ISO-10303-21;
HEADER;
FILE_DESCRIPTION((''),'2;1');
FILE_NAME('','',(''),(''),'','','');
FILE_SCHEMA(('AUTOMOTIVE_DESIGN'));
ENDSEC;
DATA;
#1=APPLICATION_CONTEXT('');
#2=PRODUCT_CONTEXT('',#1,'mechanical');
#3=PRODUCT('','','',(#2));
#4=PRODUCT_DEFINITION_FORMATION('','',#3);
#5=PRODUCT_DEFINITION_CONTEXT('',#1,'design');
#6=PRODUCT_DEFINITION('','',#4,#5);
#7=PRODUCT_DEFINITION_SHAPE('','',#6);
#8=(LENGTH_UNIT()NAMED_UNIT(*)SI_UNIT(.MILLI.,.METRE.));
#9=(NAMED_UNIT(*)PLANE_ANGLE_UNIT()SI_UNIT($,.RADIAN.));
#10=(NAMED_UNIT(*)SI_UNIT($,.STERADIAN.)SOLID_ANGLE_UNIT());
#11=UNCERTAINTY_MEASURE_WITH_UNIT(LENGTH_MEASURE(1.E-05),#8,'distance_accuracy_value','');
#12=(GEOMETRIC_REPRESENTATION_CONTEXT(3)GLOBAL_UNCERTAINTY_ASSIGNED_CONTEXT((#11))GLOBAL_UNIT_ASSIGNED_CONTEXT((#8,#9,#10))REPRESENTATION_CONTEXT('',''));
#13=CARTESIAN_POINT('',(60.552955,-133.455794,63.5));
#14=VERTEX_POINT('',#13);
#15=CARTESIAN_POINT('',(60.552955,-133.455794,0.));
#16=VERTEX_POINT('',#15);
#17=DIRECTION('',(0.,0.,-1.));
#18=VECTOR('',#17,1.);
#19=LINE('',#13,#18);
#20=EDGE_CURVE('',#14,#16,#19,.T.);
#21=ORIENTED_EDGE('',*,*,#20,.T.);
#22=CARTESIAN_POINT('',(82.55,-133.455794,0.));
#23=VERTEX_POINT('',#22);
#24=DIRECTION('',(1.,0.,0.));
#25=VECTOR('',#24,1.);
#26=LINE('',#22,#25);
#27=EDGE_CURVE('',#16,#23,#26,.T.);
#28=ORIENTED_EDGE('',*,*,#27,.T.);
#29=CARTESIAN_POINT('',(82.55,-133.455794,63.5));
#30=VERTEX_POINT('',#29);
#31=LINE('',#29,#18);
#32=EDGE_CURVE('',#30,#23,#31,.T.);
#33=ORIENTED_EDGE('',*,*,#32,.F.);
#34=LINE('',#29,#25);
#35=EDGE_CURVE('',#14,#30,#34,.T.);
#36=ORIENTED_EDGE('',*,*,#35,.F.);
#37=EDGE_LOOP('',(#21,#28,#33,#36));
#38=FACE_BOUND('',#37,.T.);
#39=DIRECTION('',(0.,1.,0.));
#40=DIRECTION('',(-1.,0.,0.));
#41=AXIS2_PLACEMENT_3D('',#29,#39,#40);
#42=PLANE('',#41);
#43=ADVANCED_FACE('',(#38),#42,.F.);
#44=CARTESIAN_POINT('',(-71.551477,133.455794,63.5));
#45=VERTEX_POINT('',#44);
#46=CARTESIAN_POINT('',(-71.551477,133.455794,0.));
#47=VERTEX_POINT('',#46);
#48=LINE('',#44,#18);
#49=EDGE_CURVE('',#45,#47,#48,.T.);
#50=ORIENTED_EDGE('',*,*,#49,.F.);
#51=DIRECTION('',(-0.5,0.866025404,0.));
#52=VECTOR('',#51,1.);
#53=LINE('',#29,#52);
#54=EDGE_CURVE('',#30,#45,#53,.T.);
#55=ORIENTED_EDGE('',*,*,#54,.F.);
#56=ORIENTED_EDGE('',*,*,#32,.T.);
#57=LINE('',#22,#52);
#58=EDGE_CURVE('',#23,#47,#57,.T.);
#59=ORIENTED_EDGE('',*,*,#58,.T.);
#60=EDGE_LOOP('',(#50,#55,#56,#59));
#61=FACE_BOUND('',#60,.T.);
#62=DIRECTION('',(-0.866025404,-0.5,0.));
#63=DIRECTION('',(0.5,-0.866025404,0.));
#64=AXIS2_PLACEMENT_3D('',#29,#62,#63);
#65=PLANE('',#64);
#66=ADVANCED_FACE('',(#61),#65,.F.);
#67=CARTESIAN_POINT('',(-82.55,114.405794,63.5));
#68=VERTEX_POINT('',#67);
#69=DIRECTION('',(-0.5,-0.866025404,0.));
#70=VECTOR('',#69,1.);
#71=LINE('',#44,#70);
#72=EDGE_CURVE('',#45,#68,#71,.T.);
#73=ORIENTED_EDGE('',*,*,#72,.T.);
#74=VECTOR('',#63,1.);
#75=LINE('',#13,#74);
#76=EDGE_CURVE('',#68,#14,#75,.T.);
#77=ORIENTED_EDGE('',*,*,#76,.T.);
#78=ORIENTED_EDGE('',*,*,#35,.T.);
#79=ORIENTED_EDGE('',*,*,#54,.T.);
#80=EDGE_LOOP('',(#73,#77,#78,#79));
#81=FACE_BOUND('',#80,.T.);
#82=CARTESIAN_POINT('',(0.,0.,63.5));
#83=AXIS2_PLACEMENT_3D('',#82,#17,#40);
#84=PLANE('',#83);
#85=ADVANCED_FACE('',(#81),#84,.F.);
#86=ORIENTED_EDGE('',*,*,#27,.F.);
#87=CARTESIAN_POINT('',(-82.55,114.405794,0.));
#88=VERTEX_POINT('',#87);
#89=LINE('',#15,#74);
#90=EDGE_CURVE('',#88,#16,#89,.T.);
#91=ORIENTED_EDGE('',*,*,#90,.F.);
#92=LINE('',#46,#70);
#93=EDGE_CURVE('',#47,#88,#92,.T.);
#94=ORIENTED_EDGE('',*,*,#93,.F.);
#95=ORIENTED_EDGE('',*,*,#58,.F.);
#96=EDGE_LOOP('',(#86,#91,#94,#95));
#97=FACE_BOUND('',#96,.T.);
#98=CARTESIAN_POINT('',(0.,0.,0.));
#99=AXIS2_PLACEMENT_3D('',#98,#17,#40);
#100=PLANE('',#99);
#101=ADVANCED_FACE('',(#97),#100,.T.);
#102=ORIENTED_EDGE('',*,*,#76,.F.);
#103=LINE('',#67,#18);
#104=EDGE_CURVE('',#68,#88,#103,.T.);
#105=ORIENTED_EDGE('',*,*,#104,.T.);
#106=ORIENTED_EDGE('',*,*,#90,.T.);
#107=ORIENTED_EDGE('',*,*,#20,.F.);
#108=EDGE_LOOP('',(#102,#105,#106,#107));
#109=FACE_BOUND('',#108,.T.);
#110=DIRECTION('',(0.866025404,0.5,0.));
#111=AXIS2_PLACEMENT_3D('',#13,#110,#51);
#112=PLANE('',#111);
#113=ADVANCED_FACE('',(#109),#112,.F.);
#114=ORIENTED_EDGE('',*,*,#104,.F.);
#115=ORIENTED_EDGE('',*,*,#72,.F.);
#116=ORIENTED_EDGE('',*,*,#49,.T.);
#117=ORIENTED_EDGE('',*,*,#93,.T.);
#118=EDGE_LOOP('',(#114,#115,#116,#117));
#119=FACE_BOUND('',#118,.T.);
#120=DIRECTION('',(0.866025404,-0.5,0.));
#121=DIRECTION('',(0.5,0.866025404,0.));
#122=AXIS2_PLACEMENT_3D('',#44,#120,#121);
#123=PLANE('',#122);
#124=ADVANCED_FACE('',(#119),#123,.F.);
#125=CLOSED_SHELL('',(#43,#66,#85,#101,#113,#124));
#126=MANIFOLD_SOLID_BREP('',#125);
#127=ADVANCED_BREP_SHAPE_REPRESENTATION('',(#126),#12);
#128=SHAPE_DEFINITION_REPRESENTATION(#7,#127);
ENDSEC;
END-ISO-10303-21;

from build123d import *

# Parameters (mm, degrees)
BOSS_EXTRUDE1_DEPTH = 63.5


with BuildPart() as part:
    # Sketch2 → Boss-Extrude1 (new body)
    with BuildSketch(Plane.XY):
        Polygon((82.550000001, -133.455794165), (-71.551477371, 133.455794166), (-82.55, 114.405794164), (60.552954744, -133.455794165), align=None)
    extrude(amount=BOSS_EXTRUDE1_DEPTH)


solid = part.part
